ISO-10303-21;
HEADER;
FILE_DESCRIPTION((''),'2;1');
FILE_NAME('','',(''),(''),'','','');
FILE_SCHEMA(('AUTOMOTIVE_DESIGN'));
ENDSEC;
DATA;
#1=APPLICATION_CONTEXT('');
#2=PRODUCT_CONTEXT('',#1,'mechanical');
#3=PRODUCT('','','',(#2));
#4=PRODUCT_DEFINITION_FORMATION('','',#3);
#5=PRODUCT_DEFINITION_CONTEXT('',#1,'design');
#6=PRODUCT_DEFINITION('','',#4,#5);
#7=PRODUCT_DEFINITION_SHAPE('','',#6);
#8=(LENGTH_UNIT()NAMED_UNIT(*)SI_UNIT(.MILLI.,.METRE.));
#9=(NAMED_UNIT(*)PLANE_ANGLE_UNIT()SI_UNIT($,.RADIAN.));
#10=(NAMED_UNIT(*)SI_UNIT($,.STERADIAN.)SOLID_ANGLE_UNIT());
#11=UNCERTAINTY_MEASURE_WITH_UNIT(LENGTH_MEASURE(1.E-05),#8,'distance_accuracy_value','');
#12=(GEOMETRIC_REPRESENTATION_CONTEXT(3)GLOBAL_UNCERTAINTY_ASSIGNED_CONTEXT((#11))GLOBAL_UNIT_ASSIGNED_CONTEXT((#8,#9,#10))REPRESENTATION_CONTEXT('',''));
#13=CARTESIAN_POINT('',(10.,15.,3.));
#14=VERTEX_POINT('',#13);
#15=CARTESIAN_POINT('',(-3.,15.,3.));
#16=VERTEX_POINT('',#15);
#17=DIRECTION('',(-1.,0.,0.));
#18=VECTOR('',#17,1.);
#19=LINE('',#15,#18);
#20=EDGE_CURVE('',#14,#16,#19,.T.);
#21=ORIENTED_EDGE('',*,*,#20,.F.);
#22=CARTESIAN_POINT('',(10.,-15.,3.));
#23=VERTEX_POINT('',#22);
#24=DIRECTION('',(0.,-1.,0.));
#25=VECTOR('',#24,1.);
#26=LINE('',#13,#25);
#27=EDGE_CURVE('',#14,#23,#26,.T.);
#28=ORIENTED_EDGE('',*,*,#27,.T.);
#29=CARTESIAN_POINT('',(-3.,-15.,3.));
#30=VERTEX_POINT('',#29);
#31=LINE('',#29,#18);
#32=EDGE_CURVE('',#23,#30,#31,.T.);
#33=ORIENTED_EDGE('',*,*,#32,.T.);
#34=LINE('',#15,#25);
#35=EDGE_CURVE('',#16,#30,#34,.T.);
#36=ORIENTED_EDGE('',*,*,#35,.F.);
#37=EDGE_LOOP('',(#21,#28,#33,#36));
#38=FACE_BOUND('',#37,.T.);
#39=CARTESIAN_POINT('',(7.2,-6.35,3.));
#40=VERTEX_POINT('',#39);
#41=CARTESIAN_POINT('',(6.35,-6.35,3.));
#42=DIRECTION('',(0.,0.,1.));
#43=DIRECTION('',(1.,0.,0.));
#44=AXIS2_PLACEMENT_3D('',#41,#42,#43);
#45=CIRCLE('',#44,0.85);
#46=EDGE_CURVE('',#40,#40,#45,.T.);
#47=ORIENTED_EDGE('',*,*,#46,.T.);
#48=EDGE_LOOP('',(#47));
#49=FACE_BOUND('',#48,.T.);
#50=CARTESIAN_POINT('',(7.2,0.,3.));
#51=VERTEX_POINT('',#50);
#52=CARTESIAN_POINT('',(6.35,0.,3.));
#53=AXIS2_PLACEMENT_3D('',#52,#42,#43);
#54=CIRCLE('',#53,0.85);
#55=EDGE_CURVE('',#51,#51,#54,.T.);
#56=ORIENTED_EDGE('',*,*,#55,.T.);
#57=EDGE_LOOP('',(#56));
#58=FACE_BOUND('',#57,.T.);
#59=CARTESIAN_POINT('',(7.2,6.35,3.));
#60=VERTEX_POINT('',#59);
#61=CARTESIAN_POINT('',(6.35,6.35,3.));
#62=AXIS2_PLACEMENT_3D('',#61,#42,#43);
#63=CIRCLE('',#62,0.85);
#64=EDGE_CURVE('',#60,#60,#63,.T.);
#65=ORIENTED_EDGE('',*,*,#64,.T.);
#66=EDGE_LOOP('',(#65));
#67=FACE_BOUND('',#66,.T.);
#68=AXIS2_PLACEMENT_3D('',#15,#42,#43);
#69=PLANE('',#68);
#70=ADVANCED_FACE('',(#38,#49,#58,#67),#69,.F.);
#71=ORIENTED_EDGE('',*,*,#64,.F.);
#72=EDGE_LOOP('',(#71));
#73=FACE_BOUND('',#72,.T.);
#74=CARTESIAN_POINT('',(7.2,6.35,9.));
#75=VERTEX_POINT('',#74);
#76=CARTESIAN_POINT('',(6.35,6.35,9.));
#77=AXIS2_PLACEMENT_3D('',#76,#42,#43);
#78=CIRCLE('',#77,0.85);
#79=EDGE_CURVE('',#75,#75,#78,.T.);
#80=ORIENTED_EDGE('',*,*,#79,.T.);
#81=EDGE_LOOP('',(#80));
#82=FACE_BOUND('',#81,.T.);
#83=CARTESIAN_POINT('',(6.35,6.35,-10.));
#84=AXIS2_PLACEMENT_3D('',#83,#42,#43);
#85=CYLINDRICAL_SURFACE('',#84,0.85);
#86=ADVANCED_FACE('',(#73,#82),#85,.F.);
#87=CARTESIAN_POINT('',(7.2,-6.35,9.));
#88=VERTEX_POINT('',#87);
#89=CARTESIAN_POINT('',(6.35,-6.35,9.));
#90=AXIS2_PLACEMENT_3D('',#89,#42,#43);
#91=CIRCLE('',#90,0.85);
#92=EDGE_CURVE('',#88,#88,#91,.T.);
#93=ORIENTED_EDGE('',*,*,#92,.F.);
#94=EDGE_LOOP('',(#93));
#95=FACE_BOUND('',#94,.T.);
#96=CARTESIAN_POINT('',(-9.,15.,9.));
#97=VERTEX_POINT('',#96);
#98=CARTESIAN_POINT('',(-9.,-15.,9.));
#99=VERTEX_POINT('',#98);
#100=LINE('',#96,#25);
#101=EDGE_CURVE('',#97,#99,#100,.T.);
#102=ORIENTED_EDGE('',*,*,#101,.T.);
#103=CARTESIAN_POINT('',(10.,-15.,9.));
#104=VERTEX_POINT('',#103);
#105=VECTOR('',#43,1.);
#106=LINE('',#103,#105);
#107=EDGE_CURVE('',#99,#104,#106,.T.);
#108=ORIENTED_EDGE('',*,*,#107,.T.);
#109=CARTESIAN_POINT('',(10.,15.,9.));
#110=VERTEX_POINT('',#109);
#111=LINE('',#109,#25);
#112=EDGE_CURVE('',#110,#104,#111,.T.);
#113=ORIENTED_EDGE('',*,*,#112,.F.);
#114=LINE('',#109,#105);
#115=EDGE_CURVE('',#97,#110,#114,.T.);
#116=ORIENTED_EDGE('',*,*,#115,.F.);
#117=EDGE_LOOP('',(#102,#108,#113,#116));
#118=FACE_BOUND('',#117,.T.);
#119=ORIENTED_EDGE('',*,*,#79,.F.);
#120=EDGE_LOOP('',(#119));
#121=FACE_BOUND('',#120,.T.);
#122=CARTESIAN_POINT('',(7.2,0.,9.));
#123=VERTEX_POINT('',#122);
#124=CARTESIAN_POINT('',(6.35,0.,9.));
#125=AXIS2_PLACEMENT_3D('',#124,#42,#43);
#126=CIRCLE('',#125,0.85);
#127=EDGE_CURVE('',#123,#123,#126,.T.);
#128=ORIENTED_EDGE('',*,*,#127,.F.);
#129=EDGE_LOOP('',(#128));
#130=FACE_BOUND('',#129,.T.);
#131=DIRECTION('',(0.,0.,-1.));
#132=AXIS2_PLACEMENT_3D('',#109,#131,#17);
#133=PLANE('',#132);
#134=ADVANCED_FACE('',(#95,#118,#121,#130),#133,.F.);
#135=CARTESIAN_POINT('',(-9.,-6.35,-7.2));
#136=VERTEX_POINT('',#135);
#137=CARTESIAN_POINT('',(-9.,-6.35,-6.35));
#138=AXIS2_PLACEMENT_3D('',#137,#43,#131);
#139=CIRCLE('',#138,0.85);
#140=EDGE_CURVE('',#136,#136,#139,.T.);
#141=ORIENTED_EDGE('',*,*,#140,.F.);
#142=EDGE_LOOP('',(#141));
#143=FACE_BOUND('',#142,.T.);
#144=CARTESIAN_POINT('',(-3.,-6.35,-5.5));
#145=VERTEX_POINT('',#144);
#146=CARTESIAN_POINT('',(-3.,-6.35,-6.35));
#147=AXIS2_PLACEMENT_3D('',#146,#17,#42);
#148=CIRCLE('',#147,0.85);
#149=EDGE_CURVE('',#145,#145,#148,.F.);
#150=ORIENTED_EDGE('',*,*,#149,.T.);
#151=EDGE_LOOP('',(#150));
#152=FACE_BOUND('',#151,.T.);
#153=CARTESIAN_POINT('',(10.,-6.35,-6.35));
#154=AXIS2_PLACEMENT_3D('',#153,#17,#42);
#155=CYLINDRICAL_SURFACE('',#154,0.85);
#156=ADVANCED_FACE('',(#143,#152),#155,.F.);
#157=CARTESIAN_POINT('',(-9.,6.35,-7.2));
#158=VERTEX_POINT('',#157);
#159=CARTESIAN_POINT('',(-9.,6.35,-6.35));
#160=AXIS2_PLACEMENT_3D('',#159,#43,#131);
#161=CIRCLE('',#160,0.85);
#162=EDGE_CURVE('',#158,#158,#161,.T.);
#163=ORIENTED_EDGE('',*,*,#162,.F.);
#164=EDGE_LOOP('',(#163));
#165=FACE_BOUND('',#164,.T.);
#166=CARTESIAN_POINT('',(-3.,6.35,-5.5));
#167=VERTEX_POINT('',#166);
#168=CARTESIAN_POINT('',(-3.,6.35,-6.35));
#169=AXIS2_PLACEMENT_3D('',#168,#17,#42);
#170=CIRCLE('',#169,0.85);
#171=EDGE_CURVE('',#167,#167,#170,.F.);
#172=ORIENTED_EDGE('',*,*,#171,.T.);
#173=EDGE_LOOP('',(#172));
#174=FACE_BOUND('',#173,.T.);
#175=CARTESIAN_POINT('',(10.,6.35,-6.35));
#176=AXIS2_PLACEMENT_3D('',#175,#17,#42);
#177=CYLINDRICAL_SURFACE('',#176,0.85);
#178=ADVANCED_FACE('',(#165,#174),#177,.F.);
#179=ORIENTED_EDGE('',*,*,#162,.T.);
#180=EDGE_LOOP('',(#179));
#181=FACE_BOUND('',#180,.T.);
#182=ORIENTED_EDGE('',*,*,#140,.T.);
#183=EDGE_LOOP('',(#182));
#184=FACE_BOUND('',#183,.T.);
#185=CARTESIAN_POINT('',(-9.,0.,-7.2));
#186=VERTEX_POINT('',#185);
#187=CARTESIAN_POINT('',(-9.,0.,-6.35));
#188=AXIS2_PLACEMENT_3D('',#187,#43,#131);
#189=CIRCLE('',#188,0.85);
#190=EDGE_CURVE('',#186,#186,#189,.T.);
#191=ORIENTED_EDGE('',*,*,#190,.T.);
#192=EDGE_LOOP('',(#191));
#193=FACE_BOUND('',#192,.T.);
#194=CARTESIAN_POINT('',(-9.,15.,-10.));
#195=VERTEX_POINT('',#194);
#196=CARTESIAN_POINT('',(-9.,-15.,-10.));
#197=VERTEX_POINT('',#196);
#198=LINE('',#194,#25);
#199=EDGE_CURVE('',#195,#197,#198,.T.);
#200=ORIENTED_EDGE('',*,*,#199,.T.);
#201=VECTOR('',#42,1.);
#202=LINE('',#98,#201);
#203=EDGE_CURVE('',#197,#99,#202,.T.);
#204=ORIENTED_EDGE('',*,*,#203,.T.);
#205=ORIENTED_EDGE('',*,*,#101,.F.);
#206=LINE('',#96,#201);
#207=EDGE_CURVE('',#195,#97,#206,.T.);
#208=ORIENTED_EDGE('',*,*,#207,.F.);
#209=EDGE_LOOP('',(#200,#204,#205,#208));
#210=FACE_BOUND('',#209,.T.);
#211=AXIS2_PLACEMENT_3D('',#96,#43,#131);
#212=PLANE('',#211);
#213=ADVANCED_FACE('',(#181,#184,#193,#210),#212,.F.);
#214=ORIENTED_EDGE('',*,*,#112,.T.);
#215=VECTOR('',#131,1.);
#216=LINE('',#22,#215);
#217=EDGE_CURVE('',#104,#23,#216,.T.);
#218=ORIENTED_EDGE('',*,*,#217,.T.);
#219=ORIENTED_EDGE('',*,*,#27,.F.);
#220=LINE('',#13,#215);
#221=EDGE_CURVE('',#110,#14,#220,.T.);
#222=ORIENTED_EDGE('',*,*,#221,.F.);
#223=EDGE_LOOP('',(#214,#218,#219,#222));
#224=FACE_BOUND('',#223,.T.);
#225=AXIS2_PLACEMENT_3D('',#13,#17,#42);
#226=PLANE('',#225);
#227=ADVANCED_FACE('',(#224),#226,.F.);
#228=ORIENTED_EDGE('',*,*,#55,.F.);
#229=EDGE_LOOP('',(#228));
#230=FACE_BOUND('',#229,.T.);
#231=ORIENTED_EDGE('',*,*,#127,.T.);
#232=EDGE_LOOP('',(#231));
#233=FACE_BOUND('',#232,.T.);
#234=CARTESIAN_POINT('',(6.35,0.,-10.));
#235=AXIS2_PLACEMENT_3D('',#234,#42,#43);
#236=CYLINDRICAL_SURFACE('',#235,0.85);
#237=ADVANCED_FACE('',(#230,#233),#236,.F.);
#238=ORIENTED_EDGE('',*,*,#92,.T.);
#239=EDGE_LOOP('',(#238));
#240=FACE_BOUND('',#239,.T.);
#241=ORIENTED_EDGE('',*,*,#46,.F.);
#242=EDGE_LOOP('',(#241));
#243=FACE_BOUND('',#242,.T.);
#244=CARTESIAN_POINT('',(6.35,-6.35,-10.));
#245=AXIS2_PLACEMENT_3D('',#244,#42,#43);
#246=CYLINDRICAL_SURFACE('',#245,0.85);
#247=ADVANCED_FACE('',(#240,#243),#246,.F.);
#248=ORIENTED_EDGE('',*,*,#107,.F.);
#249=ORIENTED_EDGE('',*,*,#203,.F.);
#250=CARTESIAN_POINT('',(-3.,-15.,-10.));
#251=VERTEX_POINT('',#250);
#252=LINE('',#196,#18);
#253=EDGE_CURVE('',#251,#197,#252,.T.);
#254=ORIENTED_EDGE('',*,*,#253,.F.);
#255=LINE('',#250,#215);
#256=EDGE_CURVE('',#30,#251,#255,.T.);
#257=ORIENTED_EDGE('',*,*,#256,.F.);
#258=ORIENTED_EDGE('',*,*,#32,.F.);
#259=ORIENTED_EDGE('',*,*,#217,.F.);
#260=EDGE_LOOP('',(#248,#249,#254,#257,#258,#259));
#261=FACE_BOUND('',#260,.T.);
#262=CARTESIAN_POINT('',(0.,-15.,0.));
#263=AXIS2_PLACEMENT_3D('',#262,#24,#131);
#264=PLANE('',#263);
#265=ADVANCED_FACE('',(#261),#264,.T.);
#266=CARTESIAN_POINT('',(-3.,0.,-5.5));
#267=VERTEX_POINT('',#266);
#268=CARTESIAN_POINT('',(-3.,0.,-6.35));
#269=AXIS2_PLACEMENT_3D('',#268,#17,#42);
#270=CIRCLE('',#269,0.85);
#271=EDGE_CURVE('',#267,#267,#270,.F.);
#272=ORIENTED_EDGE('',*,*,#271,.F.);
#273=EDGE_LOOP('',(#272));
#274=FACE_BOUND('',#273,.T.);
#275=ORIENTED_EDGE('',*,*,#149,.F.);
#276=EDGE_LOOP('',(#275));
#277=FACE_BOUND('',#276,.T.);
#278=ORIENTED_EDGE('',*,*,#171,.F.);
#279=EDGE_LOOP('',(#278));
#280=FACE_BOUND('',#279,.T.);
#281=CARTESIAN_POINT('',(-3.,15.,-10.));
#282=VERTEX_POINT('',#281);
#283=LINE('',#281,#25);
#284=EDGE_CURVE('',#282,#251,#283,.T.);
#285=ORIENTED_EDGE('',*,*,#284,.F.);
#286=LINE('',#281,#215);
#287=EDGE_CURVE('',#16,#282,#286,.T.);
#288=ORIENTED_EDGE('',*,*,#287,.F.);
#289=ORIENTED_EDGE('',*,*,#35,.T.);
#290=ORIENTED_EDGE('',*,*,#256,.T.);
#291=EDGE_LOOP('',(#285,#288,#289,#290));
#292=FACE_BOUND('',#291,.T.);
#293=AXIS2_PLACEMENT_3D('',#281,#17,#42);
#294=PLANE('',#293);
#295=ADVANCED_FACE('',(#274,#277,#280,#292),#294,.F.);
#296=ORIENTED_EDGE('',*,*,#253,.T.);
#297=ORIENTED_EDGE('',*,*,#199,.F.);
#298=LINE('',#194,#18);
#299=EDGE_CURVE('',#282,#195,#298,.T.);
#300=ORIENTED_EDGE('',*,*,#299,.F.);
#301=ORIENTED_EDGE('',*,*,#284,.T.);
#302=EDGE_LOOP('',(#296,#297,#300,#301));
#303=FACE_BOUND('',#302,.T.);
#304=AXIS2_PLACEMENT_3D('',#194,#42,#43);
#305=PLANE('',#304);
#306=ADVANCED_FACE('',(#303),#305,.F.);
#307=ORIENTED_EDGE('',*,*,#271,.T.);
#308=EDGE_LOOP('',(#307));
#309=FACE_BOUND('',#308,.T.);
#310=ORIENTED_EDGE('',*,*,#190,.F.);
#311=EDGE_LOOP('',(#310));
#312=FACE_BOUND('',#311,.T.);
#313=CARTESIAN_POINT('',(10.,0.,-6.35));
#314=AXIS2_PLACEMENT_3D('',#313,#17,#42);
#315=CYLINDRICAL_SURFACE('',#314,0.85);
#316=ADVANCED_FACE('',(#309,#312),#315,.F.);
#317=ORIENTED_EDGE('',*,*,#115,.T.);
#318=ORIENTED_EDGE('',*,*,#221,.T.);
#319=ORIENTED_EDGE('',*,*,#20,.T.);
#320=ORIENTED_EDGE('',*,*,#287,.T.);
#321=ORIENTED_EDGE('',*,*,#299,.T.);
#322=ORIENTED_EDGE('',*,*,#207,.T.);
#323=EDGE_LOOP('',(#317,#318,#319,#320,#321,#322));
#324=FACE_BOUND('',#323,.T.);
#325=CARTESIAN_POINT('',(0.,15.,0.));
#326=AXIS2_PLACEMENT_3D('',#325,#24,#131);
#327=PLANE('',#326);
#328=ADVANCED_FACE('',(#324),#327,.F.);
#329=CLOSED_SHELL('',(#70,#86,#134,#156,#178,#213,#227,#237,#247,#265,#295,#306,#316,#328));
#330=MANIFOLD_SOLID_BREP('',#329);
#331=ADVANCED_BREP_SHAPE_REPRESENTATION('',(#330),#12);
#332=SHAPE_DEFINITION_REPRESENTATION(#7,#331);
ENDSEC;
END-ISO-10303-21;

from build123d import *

# Parameters (mm, degrees)
BOSS_EXTRUDE1_DEPTH = 15
SKETCH2_R           = 0.85
CUT_EXTRUDE1_DEPTH  = 20


with BuildPart() as part:
    # Sketch1 → Boss-Extrude1 (new body, symmetric)
    with BuildSketch(Plane(origin=(0, 0, 0), x_dir=(1, 0, 0), z_dir=(0, 1, 0))):
        Polygon((-3, 10), (-3, -3), (10, -3), (10, -9), (-9, -9), (-9, 10), align=None)
    extrude(amount=BOSS_EXTRUDE1_DEPTH, both=True)

    # Sketch2 → Cut-Extrude1 (cut, through all)
    with BuildSketch(Plane.XY.offset(9)):
        with Locations((6.35, 6.35)):
            Circle(SKETCH2_R)
        with Locations((6.35, 0)):
            Circle(SKETCH2_R)
        with Locations((6.35, -6.35)):
            Circle(SKETCH2_R)
    cut_extrude1 = extrude(amount=-CUT_EXTRUDE1_DEPTH, mode=Mode.SUBTRACT)

    # Mirror1: Cut-Extrude1 across plane
    add(cut_extrude1.mirror(Plane(origin=(0, 0, 0), x_dir=(-0.707106781, 0, 0.707106781), z_dir=(0.707106781, 0, 0.707106781))), mode=Mode.SUBTRACT)


solid = part.part
